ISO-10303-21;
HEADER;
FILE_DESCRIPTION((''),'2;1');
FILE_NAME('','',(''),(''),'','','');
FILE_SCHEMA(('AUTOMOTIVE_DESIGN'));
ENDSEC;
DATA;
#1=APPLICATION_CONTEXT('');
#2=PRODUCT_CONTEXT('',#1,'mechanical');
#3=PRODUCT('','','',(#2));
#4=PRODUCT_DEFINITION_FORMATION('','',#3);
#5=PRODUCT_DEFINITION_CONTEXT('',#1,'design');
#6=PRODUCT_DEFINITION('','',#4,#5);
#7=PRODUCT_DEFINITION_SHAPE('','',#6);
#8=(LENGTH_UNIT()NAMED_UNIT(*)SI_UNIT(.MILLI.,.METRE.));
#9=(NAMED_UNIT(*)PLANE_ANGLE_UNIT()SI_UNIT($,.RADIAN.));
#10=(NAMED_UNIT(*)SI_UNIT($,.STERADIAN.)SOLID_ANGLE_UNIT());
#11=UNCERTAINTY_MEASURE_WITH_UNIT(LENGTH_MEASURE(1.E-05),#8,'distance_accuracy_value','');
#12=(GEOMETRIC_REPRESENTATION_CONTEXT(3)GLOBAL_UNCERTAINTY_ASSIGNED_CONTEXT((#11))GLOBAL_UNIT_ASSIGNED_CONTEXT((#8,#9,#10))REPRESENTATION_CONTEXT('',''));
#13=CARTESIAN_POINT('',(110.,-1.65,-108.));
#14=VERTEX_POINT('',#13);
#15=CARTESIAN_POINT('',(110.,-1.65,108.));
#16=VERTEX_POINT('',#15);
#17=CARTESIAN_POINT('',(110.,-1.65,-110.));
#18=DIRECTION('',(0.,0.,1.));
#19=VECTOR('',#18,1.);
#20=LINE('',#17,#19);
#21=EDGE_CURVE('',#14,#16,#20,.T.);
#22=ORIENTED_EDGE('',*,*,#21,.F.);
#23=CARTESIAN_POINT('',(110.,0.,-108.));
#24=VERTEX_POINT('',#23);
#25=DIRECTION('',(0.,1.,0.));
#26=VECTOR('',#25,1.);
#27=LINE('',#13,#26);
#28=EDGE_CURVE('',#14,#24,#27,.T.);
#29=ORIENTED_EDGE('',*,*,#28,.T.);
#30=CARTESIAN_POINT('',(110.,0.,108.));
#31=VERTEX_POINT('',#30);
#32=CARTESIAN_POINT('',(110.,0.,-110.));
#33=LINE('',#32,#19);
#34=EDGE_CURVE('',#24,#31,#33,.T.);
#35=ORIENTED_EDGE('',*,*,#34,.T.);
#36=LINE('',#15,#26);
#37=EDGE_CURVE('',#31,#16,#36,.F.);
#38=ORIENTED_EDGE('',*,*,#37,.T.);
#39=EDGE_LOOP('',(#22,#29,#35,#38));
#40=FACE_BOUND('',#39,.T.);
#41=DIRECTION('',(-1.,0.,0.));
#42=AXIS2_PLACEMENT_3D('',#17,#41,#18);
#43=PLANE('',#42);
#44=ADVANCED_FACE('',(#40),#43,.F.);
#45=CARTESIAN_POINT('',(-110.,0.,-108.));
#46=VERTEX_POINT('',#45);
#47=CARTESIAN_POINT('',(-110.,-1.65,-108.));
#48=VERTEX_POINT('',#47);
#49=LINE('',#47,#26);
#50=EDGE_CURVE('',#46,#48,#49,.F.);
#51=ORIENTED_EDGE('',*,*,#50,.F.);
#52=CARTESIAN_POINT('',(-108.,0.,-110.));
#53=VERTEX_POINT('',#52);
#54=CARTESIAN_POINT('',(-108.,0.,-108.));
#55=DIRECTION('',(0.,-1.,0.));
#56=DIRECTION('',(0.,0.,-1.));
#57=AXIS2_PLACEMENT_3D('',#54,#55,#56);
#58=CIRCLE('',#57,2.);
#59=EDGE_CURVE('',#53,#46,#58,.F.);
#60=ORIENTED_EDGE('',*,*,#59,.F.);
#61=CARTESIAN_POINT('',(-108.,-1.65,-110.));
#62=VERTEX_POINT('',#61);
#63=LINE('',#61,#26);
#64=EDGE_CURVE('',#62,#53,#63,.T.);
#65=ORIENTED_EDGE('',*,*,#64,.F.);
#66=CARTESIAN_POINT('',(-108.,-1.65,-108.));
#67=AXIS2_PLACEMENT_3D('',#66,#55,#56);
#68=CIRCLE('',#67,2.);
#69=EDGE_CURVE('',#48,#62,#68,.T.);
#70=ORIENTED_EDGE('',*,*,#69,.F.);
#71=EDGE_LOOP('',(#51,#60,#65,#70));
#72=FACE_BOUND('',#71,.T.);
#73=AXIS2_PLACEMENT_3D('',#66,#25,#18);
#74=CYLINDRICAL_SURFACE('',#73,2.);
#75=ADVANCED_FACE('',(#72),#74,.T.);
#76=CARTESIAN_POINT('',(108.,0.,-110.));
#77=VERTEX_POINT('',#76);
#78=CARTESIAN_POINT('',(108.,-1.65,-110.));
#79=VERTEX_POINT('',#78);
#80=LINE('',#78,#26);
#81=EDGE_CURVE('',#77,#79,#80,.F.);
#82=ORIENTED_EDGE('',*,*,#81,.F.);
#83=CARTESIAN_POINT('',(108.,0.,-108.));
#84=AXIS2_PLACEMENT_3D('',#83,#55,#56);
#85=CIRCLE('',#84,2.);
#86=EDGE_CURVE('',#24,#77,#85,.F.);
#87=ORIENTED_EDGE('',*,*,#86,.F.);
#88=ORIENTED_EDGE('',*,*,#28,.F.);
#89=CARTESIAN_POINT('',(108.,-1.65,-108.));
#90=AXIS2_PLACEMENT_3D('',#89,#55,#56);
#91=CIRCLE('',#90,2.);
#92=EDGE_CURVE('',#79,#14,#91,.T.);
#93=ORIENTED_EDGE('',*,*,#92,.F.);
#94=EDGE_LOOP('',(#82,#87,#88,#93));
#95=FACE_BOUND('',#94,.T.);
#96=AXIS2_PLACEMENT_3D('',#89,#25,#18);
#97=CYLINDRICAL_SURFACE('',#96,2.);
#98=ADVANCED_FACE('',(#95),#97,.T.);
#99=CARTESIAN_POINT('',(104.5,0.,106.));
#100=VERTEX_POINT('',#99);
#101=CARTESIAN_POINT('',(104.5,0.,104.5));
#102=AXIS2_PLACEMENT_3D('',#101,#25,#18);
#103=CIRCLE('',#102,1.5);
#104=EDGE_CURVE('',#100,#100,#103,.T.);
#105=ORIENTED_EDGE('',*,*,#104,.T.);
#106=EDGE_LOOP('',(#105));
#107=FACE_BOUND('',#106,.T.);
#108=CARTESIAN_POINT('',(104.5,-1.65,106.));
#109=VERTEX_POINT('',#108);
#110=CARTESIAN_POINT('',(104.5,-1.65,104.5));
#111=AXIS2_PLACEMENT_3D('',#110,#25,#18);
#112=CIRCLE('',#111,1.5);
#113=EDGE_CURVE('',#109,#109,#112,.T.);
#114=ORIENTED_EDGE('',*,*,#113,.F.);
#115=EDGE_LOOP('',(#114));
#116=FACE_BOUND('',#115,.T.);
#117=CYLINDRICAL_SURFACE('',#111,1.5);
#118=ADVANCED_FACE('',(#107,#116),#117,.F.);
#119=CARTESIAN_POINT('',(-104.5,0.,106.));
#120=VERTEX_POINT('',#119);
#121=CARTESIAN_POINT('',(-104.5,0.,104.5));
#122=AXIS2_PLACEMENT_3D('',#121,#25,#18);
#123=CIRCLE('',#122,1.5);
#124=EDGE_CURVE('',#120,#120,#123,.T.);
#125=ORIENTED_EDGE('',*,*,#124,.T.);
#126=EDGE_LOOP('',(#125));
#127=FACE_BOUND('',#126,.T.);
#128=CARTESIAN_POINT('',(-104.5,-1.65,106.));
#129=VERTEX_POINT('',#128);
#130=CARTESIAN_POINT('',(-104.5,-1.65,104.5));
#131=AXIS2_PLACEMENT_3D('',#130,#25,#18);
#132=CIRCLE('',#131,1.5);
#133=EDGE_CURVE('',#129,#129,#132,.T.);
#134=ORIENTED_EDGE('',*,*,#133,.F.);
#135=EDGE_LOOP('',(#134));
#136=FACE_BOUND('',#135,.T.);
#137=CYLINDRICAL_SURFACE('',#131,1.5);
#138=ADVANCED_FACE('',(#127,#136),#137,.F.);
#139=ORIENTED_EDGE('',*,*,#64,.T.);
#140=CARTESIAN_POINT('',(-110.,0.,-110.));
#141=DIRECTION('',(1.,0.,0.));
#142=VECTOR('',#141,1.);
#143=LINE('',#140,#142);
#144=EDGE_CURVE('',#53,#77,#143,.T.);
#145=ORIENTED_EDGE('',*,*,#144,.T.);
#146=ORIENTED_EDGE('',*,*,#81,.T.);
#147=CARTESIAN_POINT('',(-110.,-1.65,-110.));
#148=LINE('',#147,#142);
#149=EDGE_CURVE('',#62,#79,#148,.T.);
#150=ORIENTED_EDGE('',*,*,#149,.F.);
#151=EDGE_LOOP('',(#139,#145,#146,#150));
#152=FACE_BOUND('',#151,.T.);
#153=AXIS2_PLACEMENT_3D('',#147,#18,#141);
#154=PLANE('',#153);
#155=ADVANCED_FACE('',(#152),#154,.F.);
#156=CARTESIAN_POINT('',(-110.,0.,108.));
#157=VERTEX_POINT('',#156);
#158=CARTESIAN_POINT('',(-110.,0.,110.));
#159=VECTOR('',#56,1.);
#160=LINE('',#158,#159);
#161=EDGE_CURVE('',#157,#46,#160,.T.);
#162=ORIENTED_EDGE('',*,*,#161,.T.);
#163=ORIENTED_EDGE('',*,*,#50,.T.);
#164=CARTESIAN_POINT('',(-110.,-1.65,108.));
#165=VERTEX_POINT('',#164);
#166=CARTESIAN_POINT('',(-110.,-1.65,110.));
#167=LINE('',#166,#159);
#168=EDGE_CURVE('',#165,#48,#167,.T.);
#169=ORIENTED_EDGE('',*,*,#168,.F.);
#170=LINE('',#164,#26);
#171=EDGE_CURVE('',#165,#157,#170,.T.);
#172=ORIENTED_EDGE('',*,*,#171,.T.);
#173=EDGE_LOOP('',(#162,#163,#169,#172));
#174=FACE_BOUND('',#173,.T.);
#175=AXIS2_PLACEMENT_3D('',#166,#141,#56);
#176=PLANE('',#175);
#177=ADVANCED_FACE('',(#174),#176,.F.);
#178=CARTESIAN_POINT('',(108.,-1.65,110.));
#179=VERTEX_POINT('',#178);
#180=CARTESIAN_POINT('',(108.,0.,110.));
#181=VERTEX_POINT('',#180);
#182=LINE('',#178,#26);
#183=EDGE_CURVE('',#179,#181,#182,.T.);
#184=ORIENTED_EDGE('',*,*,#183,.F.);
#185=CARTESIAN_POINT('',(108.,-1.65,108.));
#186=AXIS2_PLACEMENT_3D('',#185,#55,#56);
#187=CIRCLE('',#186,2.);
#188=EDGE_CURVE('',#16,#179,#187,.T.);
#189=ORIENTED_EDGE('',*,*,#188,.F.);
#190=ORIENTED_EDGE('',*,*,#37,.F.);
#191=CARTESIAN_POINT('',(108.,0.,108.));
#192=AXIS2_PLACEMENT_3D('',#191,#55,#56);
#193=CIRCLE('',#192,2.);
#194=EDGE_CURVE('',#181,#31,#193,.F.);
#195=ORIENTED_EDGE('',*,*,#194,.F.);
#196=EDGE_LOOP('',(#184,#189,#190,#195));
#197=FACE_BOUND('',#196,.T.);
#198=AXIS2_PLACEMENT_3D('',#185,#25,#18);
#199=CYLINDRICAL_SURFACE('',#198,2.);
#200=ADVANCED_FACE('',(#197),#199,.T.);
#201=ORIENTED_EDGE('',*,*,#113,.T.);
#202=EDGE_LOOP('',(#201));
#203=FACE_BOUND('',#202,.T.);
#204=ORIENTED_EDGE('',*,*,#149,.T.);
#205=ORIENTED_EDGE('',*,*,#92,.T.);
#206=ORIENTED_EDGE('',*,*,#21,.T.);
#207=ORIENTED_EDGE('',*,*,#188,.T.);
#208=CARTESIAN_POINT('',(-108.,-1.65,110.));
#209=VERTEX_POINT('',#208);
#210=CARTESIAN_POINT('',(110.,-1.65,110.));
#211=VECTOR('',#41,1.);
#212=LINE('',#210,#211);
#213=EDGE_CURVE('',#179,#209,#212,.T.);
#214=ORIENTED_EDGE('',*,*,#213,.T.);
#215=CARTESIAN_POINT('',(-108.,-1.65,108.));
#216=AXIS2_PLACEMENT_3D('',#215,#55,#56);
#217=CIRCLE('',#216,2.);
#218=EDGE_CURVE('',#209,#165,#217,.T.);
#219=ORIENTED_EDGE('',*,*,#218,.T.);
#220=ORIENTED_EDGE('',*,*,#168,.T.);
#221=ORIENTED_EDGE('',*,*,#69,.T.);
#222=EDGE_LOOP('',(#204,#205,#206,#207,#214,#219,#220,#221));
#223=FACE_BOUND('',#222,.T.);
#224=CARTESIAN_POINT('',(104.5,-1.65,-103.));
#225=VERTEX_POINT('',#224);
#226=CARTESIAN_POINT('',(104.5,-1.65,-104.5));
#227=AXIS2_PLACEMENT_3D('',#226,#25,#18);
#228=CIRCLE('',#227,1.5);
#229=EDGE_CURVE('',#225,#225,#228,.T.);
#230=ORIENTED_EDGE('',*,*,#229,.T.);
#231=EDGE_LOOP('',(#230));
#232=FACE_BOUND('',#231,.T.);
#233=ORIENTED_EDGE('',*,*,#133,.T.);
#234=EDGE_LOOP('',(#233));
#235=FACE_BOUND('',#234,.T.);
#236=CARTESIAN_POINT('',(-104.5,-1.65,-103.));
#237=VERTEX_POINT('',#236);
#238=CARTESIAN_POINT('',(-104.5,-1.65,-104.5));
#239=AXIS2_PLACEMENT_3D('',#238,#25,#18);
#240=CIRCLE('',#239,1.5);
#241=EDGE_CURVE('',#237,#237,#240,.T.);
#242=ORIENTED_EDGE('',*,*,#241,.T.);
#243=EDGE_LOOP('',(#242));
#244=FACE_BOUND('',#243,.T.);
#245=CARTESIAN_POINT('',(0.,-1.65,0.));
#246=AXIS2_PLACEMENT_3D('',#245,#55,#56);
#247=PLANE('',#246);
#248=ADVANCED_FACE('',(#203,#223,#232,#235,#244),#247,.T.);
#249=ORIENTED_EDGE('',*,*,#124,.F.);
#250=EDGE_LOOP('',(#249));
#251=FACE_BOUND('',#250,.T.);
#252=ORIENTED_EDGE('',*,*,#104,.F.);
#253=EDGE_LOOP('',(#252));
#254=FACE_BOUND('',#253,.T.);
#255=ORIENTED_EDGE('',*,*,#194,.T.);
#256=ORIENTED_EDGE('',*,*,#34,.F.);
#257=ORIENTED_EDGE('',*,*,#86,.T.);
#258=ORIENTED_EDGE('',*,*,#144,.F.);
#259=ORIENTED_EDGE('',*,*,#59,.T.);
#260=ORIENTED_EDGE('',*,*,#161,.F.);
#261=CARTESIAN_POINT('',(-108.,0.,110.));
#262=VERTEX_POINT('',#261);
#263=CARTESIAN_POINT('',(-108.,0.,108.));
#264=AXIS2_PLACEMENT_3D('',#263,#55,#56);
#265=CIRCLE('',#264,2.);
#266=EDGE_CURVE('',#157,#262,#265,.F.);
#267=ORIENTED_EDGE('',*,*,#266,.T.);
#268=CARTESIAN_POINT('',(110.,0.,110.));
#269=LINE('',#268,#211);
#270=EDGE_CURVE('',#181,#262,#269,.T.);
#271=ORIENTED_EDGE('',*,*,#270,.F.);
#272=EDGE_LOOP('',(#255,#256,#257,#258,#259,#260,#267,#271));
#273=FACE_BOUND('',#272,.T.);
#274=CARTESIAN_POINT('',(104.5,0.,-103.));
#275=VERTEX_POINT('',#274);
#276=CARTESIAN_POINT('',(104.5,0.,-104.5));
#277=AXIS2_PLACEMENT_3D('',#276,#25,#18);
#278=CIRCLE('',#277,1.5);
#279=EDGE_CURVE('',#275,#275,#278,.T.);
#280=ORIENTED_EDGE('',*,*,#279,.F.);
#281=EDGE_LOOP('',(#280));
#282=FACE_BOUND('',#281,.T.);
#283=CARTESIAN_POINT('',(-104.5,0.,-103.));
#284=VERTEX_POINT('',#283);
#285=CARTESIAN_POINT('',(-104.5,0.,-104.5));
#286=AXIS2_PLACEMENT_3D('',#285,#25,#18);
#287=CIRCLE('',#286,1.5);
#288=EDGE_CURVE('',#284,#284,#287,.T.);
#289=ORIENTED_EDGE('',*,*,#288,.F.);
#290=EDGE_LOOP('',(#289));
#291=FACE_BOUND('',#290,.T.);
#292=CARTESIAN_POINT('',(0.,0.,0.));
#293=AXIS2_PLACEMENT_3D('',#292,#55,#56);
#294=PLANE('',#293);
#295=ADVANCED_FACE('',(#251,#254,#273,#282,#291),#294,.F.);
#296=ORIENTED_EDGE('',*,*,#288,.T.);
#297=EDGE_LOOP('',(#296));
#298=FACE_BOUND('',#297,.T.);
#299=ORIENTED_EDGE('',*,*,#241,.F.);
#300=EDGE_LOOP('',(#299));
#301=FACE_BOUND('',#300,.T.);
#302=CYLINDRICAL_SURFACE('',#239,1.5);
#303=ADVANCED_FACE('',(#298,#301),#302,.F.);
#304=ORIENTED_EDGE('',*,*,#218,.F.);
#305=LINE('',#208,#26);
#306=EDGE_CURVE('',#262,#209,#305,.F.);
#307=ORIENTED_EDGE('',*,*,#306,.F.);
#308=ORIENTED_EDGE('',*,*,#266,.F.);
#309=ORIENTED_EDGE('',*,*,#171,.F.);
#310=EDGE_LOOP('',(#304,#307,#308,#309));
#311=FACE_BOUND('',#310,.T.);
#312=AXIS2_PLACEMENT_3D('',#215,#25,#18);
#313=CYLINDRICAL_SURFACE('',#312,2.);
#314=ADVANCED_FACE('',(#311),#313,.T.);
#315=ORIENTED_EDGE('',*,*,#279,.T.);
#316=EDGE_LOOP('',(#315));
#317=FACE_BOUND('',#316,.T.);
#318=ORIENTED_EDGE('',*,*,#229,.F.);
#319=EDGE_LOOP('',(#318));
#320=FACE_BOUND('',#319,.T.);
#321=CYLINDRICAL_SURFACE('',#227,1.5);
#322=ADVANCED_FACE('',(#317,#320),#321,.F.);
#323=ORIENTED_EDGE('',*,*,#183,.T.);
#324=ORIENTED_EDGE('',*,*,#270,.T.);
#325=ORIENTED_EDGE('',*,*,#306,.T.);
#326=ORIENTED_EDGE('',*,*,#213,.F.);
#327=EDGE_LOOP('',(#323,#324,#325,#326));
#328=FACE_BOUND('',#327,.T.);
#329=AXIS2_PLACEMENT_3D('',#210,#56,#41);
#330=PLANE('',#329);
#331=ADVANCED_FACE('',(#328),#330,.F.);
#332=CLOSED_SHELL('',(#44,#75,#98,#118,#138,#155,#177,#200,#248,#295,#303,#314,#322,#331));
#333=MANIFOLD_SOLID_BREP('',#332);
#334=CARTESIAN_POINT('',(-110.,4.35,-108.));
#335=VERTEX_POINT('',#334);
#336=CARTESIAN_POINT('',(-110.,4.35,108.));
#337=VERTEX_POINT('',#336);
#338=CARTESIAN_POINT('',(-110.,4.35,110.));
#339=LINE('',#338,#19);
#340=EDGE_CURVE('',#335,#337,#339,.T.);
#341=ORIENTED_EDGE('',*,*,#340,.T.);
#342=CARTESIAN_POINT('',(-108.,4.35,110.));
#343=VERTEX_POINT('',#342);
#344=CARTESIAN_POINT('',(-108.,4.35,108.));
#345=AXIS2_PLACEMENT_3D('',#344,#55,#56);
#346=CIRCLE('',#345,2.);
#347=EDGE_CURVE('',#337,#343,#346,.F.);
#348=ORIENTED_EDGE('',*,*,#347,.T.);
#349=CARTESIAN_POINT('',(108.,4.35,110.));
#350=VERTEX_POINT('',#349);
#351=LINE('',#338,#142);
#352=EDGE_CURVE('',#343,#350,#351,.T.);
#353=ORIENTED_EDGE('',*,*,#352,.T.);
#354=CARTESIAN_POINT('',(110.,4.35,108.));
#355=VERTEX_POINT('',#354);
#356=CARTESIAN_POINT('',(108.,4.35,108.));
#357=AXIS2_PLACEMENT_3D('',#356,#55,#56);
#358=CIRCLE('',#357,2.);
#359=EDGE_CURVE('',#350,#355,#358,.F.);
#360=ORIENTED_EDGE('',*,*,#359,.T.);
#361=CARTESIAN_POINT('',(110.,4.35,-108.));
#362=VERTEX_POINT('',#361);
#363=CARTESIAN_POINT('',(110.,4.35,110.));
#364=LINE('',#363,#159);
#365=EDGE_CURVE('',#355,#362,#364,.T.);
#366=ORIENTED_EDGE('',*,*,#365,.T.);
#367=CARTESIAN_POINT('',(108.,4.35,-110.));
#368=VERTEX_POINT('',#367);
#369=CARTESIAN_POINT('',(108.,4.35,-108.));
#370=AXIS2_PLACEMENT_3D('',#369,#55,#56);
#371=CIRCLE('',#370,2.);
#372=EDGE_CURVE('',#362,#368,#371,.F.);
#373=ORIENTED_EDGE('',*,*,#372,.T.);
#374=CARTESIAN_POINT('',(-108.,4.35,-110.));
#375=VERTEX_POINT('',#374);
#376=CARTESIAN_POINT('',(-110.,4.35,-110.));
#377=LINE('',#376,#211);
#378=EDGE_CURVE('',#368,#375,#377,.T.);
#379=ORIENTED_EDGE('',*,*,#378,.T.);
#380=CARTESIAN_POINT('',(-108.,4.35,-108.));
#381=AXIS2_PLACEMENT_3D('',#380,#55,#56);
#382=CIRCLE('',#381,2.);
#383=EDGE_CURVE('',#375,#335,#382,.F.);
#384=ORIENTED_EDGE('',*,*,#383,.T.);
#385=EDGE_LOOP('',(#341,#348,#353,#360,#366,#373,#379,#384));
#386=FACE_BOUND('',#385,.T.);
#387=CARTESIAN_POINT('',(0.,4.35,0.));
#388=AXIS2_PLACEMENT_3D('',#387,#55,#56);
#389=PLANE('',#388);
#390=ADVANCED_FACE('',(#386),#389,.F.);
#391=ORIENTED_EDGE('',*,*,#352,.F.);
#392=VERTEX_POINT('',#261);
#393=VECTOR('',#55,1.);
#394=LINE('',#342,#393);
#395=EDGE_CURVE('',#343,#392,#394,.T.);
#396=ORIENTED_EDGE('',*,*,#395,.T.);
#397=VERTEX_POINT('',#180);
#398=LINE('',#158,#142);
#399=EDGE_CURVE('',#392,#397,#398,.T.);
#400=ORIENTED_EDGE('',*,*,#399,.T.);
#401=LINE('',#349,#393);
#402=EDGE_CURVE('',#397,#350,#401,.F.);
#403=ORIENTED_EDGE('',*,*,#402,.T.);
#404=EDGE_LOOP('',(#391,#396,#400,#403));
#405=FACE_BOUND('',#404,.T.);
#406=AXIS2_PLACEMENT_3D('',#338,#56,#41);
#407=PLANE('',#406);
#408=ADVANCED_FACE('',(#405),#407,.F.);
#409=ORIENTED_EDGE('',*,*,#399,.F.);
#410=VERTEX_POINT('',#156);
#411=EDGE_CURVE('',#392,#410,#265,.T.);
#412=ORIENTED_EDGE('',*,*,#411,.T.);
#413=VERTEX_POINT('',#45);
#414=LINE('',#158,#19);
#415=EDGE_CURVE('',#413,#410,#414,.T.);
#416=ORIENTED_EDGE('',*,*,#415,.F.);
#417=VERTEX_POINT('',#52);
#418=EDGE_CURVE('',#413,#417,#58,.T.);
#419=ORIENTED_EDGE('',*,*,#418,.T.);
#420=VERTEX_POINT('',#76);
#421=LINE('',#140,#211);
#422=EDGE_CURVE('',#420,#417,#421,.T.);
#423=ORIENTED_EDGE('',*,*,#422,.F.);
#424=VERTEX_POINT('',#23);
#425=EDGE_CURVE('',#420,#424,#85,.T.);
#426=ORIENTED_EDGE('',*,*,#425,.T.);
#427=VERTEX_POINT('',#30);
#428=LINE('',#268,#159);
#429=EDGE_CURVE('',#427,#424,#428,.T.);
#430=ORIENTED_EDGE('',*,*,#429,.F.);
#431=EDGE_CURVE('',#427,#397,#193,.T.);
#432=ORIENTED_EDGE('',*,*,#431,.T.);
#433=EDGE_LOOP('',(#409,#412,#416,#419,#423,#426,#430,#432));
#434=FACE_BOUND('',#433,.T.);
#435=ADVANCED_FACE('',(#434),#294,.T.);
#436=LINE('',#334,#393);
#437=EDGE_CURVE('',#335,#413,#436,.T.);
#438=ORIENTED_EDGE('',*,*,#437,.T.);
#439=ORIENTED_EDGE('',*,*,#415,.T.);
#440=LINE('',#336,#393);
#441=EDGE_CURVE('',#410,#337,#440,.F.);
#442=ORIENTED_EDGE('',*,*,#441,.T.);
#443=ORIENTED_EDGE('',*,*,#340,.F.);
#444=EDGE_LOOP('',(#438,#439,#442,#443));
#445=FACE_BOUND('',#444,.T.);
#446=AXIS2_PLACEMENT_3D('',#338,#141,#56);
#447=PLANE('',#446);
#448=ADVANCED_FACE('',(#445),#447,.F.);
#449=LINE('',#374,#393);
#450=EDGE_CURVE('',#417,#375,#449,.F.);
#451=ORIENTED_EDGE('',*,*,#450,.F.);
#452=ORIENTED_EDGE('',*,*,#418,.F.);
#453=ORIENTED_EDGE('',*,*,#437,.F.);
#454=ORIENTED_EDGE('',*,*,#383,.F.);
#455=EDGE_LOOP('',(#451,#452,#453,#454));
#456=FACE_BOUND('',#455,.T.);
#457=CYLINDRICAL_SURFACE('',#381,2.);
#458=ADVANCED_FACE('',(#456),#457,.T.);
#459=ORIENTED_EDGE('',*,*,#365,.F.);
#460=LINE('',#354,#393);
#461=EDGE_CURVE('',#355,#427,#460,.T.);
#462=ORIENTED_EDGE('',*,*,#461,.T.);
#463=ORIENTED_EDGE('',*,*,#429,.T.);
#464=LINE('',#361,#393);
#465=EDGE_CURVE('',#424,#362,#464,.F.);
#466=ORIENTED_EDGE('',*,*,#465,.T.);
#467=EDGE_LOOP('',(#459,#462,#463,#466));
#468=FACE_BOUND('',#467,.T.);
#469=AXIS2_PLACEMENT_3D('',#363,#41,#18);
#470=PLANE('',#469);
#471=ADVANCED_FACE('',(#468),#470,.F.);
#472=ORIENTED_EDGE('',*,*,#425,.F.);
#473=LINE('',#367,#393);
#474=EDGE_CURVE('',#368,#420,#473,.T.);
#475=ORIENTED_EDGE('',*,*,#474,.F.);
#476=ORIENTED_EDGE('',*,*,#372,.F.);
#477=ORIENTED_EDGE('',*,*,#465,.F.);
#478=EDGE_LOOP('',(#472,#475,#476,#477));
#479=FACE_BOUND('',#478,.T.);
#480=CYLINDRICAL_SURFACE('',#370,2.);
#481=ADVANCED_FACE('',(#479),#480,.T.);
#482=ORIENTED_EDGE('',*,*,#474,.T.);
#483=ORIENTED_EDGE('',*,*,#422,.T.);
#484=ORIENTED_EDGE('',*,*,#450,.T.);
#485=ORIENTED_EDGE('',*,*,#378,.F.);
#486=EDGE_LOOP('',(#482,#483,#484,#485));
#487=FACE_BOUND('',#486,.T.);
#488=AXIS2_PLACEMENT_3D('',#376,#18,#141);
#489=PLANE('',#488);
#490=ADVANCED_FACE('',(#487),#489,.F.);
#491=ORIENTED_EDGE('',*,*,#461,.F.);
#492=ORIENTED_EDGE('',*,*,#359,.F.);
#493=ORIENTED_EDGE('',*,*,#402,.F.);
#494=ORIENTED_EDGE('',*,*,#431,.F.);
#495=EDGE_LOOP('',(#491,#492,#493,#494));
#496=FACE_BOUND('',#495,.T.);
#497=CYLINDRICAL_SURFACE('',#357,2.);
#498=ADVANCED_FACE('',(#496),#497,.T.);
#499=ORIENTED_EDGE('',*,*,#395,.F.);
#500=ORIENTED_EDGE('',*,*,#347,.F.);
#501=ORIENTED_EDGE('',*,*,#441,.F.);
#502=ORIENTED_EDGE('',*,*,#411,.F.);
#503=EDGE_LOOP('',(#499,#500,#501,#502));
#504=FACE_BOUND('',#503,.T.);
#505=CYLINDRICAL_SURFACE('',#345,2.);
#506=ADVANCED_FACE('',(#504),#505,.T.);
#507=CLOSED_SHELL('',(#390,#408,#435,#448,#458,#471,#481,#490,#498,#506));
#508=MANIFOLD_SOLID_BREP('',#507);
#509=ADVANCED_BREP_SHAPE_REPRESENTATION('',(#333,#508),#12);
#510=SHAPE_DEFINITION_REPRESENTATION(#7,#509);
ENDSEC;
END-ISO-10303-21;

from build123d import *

# Parameters (mm, degrees)
SKETCH1_W           = 220
SKETCH1_H           = 220
BOSS_EXTRUDE1_DEPTH = 4.35
SKETCH2_W           = 220
SKETCH2_H           = 220
BOSS_EXTRUDE2_DEPTH = 1.65
SKETCH4_R           = 1.5
CUT_EXTRUDE1_DEPTH  = 156.624299195
FILLET1_R           = 2
FILLET2_R           = 2


with BuildPart() as part:
    # Sketch1 → Boss-Extrude1 (new body)
    with BuildSketch(Plane(origin=(0, 0, 0), x_dir=(1, 0, 0), z_dir=(0, 1, 0))):
        Rectangle(SKETCH1_W, SKETCH1_H)
    extrude(amount=BOSS_EXTRUDE1_DEPTH)

    # Fillet1
    fillet1_edges = [part.edges().sort_by_distance(p)[0] for p in [
        (110, 2.175, 110),
        (-110, 2.175, 110),
        (-110, 2.175, -110),
        (110, 2.175, -110),
    ]]
    fillet(fillet1_edges, radius=FILLET1_R)


with BuildPart() as body_2:
    # Sketch2 → Boss-Extrude2 (new body)
    with BuildSketch(Plane.XZ):
        Rectangle(SKETCH2_W, SKETCH2_H)
    extrude(amount=BOSS_EXTRUDE2_DEPTH)

    # Sketch4 → Cut-Extrude1 (cut, through all)
    with BuildSketch(Plane(origin=(0, 0, 0), x_dir=(1, 0, 0), z_dir=(0, 1, 0))):
        with Locations(Location((-104.5, 104.5, 0), (0, 0, 270))):
            Circle(SKETCH4_R)
        with Locations(Location((104.5, 104.5, 0), (0, 0, 270))):
            Circle(SKETCH4_R)
        with Locations(Location((104.5, -104.5, 0), (0, 0, 270))):
            Circle(SKETCH4_R)
        with Locations(Location((-104.5, -104.5, 0), (0, 0, 270))):
            Circle(SKETCH4_R)
    extrude(amount=-CUT_EXTRUDE1_DEPTH, mode=Mode.SUBTRACT)

    # Fillet2
    fillet2_edges = [body_2.edges().sort_by_distance(p)[0] for p in [
        (-110, -0.825, -110),
        (-110, -0.825, 110),
        (110, -0.825, 110),
        (110, -0.825, -110),
    ]]
    fillet(fillet2_edges, radius=FILLET2_R)


solid = Compound([part.part, body_2.part])
